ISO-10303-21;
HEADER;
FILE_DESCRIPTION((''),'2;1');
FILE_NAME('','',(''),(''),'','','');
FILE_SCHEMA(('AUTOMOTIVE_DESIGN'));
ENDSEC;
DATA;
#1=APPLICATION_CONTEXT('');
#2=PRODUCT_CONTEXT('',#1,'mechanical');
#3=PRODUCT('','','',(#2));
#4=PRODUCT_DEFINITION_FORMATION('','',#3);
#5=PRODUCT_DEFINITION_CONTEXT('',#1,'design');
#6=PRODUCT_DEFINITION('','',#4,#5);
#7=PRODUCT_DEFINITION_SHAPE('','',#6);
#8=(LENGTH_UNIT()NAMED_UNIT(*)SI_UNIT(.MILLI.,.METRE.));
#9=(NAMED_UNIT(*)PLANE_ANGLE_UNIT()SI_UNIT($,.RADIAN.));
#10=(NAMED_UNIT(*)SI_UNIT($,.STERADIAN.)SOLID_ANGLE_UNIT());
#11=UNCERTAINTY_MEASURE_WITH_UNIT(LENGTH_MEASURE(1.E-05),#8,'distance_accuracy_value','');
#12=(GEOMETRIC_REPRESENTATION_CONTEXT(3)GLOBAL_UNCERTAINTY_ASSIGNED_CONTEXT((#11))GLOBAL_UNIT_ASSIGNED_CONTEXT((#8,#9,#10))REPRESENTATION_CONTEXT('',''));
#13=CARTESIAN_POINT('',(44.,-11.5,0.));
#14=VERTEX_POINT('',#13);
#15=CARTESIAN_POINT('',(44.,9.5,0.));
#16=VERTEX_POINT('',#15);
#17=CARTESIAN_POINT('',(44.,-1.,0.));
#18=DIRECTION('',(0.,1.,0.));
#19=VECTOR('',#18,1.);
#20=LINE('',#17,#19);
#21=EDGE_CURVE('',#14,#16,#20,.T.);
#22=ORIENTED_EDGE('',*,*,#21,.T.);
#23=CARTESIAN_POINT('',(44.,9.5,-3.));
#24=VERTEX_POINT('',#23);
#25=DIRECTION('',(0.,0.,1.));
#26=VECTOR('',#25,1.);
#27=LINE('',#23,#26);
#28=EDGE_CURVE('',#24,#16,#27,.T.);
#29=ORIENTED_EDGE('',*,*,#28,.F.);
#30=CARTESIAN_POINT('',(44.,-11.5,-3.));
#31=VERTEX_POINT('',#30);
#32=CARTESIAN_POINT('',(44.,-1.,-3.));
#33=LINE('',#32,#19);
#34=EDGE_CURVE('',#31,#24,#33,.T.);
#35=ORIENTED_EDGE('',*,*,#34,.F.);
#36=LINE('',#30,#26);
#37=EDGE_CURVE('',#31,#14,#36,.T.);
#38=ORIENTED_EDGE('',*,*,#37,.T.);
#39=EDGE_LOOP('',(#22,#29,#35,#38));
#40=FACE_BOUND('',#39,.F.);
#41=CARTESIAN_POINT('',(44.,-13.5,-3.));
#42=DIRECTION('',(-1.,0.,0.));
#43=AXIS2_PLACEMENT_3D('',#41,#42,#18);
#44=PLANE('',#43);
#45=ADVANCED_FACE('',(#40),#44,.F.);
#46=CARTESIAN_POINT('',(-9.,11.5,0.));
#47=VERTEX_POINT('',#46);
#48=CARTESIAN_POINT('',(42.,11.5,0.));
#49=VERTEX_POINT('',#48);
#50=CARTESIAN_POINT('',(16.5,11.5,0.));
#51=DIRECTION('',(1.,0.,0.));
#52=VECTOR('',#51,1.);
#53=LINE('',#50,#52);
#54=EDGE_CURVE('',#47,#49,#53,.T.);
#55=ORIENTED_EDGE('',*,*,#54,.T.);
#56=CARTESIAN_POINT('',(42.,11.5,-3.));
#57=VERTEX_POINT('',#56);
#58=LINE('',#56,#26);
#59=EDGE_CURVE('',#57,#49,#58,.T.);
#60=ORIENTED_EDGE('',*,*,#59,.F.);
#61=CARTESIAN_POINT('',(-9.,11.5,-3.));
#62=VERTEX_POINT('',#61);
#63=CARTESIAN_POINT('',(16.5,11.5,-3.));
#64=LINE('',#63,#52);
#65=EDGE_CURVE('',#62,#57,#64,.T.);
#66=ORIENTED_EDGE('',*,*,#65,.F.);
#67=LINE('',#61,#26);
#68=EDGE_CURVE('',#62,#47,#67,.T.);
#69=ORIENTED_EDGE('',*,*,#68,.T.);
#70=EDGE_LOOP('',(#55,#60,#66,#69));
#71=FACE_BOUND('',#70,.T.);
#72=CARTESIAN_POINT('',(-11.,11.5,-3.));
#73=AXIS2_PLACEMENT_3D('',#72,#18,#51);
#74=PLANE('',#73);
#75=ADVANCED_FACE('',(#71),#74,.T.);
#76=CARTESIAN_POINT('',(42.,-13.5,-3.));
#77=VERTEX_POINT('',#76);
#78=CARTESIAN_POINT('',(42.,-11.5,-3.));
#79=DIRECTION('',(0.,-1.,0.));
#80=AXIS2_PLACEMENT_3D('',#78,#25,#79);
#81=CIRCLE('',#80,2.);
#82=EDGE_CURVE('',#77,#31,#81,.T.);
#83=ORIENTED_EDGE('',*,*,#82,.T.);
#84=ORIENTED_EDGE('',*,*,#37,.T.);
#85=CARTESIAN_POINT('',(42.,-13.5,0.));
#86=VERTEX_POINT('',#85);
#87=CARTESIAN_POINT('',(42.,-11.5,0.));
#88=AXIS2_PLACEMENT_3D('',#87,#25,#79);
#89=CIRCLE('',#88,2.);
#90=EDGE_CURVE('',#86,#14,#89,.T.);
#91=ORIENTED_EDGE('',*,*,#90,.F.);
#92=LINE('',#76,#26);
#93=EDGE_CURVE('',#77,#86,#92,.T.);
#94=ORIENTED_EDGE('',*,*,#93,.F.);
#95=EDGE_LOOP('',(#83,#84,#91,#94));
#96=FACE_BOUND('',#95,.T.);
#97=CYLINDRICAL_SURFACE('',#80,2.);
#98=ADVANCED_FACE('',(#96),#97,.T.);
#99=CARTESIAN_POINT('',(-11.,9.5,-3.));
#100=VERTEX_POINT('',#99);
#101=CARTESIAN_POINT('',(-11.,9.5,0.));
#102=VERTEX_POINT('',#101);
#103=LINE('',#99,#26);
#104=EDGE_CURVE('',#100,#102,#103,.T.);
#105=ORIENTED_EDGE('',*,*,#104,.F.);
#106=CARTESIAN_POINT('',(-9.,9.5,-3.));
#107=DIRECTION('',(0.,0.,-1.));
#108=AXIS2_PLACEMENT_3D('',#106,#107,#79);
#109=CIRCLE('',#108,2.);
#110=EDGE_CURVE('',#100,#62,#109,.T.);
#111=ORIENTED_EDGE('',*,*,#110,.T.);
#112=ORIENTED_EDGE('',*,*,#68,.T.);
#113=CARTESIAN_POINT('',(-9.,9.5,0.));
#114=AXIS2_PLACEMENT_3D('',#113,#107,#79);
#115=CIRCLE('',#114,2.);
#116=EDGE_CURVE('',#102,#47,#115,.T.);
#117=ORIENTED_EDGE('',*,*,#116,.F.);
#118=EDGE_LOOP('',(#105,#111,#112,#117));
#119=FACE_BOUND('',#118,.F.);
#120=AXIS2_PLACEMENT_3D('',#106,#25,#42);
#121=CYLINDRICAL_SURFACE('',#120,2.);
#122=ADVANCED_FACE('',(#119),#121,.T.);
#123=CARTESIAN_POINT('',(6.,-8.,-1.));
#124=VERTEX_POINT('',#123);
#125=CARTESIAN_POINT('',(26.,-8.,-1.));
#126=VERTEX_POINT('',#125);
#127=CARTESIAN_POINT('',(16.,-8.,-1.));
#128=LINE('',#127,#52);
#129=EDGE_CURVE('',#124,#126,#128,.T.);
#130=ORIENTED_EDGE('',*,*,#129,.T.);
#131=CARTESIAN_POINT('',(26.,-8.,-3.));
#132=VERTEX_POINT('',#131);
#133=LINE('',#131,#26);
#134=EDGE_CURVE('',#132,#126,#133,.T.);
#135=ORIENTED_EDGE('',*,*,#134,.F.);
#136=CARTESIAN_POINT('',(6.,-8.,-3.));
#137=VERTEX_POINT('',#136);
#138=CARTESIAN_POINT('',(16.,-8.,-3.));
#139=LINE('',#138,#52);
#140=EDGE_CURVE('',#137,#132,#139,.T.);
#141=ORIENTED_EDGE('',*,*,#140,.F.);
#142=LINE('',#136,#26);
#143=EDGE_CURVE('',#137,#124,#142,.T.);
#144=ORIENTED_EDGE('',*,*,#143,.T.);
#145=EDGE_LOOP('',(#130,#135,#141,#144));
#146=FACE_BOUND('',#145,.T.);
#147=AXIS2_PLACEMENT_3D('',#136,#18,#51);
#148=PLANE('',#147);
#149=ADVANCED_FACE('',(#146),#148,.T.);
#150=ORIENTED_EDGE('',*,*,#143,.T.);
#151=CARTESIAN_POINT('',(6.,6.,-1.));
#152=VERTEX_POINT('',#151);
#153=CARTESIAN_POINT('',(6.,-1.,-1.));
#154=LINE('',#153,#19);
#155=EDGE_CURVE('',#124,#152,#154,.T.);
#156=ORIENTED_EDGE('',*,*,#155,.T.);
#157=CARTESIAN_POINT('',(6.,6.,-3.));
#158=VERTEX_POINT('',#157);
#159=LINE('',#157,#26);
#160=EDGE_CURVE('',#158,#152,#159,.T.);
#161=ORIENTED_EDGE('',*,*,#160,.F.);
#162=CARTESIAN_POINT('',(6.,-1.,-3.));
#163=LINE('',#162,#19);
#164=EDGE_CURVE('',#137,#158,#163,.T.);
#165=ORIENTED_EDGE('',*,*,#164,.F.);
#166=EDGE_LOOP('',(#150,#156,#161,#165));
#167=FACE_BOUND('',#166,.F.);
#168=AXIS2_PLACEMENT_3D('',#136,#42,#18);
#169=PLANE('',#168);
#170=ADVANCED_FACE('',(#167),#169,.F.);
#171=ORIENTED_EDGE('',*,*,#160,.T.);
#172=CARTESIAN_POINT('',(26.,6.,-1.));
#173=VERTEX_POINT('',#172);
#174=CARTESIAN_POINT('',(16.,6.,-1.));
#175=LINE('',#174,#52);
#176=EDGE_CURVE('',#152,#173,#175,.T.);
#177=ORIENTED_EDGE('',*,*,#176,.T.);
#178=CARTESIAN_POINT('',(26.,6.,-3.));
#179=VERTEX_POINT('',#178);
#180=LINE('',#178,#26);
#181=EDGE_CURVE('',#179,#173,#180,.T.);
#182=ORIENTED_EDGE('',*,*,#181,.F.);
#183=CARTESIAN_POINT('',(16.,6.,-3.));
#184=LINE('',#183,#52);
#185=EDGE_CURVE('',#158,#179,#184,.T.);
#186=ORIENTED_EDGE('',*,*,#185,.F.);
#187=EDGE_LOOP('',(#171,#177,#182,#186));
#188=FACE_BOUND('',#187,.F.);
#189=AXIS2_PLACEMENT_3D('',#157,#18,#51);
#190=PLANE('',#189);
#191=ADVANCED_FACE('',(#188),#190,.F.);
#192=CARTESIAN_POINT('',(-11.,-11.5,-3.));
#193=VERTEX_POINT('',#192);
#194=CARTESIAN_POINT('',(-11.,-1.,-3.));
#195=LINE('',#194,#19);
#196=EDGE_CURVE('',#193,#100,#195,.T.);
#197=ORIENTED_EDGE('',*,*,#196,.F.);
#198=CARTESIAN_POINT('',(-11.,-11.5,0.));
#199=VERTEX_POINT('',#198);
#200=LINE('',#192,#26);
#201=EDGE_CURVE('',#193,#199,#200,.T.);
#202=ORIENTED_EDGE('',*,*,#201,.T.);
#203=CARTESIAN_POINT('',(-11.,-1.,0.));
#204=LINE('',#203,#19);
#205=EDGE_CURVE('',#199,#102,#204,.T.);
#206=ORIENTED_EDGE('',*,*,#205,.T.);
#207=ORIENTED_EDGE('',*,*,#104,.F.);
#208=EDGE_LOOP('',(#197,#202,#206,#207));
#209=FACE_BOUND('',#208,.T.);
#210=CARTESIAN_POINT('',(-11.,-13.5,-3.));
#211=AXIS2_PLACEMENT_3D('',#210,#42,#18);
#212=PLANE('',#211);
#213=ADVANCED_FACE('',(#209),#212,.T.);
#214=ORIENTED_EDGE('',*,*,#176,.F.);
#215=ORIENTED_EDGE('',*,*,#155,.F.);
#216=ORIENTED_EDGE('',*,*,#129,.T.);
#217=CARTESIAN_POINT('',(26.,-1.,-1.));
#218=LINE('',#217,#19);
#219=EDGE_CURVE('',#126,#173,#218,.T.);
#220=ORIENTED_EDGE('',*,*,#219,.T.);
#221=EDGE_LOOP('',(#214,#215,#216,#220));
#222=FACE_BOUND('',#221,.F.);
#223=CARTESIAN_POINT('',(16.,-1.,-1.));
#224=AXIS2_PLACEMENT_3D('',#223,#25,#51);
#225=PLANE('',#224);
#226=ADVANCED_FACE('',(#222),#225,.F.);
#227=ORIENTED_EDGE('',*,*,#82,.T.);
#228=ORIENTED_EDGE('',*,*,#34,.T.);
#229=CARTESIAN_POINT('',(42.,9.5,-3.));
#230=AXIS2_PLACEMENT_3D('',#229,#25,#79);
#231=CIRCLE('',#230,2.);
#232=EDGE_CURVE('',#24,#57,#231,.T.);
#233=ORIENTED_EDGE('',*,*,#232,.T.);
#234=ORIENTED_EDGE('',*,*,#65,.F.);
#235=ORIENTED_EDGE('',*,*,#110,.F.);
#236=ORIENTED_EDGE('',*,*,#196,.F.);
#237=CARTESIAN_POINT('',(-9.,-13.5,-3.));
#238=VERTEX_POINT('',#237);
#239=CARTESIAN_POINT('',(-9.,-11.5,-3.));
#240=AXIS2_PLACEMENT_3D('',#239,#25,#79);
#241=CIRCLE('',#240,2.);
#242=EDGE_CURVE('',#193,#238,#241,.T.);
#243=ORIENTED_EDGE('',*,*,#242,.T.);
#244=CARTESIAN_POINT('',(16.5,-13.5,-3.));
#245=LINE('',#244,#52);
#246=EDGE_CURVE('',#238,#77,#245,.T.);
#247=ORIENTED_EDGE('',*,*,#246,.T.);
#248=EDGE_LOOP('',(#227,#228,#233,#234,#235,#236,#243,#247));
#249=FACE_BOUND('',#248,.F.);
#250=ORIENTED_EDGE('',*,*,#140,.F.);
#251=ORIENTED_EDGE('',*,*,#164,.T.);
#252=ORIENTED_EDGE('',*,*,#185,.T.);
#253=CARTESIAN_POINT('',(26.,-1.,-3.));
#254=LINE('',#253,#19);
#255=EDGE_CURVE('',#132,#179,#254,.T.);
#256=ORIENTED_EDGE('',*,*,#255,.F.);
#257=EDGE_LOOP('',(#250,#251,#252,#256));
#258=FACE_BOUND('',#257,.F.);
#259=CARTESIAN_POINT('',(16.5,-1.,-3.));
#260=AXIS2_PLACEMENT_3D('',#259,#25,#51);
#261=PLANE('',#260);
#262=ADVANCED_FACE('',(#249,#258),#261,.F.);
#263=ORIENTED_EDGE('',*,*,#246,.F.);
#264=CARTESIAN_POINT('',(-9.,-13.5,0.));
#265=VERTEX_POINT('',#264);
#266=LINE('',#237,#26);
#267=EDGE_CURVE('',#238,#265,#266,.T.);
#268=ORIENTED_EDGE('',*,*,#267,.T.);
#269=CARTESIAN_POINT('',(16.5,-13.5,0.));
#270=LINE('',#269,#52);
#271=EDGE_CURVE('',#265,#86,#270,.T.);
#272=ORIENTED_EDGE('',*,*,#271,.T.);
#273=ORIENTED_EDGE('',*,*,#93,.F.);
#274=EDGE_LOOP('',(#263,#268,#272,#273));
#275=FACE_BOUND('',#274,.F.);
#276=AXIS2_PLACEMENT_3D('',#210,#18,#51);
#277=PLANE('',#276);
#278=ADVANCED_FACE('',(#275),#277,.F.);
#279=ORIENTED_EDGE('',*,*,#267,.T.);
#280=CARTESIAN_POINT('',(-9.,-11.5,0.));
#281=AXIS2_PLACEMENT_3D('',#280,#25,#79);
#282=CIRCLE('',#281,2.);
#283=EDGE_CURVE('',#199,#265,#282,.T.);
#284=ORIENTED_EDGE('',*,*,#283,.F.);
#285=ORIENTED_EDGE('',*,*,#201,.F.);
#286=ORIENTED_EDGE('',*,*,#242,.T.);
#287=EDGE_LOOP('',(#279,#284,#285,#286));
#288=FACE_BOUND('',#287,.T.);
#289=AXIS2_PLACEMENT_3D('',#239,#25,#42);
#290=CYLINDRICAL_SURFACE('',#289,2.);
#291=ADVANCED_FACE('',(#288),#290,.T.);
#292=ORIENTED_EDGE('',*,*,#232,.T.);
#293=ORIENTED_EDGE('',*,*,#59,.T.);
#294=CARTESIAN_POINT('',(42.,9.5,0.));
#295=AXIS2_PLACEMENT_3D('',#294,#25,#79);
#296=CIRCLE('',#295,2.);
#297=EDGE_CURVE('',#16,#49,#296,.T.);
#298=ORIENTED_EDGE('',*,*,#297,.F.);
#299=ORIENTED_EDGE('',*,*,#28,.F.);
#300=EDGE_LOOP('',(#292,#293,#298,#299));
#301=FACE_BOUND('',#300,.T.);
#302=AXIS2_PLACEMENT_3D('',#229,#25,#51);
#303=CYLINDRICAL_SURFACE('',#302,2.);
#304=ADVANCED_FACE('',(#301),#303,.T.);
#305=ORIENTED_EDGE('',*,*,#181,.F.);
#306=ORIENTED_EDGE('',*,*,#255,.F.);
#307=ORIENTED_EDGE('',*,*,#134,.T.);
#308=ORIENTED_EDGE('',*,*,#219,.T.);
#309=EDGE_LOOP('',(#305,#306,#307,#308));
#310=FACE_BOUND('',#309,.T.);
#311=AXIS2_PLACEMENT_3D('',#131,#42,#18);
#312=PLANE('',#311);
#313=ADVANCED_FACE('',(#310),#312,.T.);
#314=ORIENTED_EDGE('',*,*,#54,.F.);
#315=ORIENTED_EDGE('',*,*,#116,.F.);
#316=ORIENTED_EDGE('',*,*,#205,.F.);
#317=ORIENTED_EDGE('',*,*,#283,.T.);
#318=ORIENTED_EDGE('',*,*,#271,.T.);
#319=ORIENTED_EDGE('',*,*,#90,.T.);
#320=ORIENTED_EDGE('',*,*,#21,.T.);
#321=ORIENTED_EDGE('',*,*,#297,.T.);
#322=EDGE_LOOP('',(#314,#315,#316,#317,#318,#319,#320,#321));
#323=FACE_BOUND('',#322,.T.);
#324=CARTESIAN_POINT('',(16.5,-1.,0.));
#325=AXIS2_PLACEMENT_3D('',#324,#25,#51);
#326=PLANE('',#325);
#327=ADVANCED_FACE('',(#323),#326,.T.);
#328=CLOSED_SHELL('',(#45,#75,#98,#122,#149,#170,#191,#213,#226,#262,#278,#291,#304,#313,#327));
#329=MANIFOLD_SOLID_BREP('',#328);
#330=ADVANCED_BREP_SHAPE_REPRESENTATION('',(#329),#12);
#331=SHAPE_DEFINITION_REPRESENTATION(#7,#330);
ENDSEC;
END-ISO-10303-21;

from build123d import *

# Parameters (mm, degrees)
BOX001_W     = 20
BOX001_H     = 14
BOX001_DEPTH = 2
BOX_W        = 55
BOX_H        = 25
BOX_DEPTH    = 3
FILLET_R     = 2


with BuildPart() as cube001:
    # Box001 → Box001 (new body)
    with BuildSketch(Plane(origin=(6, -8, -3), x_dir=(1, 0, 0), z_dir=(0, 0, 1))):
        with Locations((10, 7)):
            Rectangle(BOX001_W, BOX001_H)
    extrude(amount=BOX001_DEPTH)


with BuildPart() as cut:
    # Box → Box (new body)
    with BuildSketch(Plane(origin=(-11, -13.5, -3), x_dir=(1, 0, 0), z_dir=(0, 0, 1))):
        with Locations((27.5, 12.5)):
            Rectangle(BOX_W, BOX_H)
    extrude(amount=BOX_DEPTH)

    # Fillet
    fillet_edges = [cut.edges().sort_by_distance(p)[0] for p in [
        (-11, -13.5, -1.5),
        (-11, 11.5, -1.5),
        (44, -13.5, -1.5),
        (44, 11.5, -1.5),
    ]]
    fillet(fillet_edges, radius=FILLET_R)

    # Cut: cut Cube001
    add(cube001.part, mode=Mode.SUBTRACT)


solid = cut.part
